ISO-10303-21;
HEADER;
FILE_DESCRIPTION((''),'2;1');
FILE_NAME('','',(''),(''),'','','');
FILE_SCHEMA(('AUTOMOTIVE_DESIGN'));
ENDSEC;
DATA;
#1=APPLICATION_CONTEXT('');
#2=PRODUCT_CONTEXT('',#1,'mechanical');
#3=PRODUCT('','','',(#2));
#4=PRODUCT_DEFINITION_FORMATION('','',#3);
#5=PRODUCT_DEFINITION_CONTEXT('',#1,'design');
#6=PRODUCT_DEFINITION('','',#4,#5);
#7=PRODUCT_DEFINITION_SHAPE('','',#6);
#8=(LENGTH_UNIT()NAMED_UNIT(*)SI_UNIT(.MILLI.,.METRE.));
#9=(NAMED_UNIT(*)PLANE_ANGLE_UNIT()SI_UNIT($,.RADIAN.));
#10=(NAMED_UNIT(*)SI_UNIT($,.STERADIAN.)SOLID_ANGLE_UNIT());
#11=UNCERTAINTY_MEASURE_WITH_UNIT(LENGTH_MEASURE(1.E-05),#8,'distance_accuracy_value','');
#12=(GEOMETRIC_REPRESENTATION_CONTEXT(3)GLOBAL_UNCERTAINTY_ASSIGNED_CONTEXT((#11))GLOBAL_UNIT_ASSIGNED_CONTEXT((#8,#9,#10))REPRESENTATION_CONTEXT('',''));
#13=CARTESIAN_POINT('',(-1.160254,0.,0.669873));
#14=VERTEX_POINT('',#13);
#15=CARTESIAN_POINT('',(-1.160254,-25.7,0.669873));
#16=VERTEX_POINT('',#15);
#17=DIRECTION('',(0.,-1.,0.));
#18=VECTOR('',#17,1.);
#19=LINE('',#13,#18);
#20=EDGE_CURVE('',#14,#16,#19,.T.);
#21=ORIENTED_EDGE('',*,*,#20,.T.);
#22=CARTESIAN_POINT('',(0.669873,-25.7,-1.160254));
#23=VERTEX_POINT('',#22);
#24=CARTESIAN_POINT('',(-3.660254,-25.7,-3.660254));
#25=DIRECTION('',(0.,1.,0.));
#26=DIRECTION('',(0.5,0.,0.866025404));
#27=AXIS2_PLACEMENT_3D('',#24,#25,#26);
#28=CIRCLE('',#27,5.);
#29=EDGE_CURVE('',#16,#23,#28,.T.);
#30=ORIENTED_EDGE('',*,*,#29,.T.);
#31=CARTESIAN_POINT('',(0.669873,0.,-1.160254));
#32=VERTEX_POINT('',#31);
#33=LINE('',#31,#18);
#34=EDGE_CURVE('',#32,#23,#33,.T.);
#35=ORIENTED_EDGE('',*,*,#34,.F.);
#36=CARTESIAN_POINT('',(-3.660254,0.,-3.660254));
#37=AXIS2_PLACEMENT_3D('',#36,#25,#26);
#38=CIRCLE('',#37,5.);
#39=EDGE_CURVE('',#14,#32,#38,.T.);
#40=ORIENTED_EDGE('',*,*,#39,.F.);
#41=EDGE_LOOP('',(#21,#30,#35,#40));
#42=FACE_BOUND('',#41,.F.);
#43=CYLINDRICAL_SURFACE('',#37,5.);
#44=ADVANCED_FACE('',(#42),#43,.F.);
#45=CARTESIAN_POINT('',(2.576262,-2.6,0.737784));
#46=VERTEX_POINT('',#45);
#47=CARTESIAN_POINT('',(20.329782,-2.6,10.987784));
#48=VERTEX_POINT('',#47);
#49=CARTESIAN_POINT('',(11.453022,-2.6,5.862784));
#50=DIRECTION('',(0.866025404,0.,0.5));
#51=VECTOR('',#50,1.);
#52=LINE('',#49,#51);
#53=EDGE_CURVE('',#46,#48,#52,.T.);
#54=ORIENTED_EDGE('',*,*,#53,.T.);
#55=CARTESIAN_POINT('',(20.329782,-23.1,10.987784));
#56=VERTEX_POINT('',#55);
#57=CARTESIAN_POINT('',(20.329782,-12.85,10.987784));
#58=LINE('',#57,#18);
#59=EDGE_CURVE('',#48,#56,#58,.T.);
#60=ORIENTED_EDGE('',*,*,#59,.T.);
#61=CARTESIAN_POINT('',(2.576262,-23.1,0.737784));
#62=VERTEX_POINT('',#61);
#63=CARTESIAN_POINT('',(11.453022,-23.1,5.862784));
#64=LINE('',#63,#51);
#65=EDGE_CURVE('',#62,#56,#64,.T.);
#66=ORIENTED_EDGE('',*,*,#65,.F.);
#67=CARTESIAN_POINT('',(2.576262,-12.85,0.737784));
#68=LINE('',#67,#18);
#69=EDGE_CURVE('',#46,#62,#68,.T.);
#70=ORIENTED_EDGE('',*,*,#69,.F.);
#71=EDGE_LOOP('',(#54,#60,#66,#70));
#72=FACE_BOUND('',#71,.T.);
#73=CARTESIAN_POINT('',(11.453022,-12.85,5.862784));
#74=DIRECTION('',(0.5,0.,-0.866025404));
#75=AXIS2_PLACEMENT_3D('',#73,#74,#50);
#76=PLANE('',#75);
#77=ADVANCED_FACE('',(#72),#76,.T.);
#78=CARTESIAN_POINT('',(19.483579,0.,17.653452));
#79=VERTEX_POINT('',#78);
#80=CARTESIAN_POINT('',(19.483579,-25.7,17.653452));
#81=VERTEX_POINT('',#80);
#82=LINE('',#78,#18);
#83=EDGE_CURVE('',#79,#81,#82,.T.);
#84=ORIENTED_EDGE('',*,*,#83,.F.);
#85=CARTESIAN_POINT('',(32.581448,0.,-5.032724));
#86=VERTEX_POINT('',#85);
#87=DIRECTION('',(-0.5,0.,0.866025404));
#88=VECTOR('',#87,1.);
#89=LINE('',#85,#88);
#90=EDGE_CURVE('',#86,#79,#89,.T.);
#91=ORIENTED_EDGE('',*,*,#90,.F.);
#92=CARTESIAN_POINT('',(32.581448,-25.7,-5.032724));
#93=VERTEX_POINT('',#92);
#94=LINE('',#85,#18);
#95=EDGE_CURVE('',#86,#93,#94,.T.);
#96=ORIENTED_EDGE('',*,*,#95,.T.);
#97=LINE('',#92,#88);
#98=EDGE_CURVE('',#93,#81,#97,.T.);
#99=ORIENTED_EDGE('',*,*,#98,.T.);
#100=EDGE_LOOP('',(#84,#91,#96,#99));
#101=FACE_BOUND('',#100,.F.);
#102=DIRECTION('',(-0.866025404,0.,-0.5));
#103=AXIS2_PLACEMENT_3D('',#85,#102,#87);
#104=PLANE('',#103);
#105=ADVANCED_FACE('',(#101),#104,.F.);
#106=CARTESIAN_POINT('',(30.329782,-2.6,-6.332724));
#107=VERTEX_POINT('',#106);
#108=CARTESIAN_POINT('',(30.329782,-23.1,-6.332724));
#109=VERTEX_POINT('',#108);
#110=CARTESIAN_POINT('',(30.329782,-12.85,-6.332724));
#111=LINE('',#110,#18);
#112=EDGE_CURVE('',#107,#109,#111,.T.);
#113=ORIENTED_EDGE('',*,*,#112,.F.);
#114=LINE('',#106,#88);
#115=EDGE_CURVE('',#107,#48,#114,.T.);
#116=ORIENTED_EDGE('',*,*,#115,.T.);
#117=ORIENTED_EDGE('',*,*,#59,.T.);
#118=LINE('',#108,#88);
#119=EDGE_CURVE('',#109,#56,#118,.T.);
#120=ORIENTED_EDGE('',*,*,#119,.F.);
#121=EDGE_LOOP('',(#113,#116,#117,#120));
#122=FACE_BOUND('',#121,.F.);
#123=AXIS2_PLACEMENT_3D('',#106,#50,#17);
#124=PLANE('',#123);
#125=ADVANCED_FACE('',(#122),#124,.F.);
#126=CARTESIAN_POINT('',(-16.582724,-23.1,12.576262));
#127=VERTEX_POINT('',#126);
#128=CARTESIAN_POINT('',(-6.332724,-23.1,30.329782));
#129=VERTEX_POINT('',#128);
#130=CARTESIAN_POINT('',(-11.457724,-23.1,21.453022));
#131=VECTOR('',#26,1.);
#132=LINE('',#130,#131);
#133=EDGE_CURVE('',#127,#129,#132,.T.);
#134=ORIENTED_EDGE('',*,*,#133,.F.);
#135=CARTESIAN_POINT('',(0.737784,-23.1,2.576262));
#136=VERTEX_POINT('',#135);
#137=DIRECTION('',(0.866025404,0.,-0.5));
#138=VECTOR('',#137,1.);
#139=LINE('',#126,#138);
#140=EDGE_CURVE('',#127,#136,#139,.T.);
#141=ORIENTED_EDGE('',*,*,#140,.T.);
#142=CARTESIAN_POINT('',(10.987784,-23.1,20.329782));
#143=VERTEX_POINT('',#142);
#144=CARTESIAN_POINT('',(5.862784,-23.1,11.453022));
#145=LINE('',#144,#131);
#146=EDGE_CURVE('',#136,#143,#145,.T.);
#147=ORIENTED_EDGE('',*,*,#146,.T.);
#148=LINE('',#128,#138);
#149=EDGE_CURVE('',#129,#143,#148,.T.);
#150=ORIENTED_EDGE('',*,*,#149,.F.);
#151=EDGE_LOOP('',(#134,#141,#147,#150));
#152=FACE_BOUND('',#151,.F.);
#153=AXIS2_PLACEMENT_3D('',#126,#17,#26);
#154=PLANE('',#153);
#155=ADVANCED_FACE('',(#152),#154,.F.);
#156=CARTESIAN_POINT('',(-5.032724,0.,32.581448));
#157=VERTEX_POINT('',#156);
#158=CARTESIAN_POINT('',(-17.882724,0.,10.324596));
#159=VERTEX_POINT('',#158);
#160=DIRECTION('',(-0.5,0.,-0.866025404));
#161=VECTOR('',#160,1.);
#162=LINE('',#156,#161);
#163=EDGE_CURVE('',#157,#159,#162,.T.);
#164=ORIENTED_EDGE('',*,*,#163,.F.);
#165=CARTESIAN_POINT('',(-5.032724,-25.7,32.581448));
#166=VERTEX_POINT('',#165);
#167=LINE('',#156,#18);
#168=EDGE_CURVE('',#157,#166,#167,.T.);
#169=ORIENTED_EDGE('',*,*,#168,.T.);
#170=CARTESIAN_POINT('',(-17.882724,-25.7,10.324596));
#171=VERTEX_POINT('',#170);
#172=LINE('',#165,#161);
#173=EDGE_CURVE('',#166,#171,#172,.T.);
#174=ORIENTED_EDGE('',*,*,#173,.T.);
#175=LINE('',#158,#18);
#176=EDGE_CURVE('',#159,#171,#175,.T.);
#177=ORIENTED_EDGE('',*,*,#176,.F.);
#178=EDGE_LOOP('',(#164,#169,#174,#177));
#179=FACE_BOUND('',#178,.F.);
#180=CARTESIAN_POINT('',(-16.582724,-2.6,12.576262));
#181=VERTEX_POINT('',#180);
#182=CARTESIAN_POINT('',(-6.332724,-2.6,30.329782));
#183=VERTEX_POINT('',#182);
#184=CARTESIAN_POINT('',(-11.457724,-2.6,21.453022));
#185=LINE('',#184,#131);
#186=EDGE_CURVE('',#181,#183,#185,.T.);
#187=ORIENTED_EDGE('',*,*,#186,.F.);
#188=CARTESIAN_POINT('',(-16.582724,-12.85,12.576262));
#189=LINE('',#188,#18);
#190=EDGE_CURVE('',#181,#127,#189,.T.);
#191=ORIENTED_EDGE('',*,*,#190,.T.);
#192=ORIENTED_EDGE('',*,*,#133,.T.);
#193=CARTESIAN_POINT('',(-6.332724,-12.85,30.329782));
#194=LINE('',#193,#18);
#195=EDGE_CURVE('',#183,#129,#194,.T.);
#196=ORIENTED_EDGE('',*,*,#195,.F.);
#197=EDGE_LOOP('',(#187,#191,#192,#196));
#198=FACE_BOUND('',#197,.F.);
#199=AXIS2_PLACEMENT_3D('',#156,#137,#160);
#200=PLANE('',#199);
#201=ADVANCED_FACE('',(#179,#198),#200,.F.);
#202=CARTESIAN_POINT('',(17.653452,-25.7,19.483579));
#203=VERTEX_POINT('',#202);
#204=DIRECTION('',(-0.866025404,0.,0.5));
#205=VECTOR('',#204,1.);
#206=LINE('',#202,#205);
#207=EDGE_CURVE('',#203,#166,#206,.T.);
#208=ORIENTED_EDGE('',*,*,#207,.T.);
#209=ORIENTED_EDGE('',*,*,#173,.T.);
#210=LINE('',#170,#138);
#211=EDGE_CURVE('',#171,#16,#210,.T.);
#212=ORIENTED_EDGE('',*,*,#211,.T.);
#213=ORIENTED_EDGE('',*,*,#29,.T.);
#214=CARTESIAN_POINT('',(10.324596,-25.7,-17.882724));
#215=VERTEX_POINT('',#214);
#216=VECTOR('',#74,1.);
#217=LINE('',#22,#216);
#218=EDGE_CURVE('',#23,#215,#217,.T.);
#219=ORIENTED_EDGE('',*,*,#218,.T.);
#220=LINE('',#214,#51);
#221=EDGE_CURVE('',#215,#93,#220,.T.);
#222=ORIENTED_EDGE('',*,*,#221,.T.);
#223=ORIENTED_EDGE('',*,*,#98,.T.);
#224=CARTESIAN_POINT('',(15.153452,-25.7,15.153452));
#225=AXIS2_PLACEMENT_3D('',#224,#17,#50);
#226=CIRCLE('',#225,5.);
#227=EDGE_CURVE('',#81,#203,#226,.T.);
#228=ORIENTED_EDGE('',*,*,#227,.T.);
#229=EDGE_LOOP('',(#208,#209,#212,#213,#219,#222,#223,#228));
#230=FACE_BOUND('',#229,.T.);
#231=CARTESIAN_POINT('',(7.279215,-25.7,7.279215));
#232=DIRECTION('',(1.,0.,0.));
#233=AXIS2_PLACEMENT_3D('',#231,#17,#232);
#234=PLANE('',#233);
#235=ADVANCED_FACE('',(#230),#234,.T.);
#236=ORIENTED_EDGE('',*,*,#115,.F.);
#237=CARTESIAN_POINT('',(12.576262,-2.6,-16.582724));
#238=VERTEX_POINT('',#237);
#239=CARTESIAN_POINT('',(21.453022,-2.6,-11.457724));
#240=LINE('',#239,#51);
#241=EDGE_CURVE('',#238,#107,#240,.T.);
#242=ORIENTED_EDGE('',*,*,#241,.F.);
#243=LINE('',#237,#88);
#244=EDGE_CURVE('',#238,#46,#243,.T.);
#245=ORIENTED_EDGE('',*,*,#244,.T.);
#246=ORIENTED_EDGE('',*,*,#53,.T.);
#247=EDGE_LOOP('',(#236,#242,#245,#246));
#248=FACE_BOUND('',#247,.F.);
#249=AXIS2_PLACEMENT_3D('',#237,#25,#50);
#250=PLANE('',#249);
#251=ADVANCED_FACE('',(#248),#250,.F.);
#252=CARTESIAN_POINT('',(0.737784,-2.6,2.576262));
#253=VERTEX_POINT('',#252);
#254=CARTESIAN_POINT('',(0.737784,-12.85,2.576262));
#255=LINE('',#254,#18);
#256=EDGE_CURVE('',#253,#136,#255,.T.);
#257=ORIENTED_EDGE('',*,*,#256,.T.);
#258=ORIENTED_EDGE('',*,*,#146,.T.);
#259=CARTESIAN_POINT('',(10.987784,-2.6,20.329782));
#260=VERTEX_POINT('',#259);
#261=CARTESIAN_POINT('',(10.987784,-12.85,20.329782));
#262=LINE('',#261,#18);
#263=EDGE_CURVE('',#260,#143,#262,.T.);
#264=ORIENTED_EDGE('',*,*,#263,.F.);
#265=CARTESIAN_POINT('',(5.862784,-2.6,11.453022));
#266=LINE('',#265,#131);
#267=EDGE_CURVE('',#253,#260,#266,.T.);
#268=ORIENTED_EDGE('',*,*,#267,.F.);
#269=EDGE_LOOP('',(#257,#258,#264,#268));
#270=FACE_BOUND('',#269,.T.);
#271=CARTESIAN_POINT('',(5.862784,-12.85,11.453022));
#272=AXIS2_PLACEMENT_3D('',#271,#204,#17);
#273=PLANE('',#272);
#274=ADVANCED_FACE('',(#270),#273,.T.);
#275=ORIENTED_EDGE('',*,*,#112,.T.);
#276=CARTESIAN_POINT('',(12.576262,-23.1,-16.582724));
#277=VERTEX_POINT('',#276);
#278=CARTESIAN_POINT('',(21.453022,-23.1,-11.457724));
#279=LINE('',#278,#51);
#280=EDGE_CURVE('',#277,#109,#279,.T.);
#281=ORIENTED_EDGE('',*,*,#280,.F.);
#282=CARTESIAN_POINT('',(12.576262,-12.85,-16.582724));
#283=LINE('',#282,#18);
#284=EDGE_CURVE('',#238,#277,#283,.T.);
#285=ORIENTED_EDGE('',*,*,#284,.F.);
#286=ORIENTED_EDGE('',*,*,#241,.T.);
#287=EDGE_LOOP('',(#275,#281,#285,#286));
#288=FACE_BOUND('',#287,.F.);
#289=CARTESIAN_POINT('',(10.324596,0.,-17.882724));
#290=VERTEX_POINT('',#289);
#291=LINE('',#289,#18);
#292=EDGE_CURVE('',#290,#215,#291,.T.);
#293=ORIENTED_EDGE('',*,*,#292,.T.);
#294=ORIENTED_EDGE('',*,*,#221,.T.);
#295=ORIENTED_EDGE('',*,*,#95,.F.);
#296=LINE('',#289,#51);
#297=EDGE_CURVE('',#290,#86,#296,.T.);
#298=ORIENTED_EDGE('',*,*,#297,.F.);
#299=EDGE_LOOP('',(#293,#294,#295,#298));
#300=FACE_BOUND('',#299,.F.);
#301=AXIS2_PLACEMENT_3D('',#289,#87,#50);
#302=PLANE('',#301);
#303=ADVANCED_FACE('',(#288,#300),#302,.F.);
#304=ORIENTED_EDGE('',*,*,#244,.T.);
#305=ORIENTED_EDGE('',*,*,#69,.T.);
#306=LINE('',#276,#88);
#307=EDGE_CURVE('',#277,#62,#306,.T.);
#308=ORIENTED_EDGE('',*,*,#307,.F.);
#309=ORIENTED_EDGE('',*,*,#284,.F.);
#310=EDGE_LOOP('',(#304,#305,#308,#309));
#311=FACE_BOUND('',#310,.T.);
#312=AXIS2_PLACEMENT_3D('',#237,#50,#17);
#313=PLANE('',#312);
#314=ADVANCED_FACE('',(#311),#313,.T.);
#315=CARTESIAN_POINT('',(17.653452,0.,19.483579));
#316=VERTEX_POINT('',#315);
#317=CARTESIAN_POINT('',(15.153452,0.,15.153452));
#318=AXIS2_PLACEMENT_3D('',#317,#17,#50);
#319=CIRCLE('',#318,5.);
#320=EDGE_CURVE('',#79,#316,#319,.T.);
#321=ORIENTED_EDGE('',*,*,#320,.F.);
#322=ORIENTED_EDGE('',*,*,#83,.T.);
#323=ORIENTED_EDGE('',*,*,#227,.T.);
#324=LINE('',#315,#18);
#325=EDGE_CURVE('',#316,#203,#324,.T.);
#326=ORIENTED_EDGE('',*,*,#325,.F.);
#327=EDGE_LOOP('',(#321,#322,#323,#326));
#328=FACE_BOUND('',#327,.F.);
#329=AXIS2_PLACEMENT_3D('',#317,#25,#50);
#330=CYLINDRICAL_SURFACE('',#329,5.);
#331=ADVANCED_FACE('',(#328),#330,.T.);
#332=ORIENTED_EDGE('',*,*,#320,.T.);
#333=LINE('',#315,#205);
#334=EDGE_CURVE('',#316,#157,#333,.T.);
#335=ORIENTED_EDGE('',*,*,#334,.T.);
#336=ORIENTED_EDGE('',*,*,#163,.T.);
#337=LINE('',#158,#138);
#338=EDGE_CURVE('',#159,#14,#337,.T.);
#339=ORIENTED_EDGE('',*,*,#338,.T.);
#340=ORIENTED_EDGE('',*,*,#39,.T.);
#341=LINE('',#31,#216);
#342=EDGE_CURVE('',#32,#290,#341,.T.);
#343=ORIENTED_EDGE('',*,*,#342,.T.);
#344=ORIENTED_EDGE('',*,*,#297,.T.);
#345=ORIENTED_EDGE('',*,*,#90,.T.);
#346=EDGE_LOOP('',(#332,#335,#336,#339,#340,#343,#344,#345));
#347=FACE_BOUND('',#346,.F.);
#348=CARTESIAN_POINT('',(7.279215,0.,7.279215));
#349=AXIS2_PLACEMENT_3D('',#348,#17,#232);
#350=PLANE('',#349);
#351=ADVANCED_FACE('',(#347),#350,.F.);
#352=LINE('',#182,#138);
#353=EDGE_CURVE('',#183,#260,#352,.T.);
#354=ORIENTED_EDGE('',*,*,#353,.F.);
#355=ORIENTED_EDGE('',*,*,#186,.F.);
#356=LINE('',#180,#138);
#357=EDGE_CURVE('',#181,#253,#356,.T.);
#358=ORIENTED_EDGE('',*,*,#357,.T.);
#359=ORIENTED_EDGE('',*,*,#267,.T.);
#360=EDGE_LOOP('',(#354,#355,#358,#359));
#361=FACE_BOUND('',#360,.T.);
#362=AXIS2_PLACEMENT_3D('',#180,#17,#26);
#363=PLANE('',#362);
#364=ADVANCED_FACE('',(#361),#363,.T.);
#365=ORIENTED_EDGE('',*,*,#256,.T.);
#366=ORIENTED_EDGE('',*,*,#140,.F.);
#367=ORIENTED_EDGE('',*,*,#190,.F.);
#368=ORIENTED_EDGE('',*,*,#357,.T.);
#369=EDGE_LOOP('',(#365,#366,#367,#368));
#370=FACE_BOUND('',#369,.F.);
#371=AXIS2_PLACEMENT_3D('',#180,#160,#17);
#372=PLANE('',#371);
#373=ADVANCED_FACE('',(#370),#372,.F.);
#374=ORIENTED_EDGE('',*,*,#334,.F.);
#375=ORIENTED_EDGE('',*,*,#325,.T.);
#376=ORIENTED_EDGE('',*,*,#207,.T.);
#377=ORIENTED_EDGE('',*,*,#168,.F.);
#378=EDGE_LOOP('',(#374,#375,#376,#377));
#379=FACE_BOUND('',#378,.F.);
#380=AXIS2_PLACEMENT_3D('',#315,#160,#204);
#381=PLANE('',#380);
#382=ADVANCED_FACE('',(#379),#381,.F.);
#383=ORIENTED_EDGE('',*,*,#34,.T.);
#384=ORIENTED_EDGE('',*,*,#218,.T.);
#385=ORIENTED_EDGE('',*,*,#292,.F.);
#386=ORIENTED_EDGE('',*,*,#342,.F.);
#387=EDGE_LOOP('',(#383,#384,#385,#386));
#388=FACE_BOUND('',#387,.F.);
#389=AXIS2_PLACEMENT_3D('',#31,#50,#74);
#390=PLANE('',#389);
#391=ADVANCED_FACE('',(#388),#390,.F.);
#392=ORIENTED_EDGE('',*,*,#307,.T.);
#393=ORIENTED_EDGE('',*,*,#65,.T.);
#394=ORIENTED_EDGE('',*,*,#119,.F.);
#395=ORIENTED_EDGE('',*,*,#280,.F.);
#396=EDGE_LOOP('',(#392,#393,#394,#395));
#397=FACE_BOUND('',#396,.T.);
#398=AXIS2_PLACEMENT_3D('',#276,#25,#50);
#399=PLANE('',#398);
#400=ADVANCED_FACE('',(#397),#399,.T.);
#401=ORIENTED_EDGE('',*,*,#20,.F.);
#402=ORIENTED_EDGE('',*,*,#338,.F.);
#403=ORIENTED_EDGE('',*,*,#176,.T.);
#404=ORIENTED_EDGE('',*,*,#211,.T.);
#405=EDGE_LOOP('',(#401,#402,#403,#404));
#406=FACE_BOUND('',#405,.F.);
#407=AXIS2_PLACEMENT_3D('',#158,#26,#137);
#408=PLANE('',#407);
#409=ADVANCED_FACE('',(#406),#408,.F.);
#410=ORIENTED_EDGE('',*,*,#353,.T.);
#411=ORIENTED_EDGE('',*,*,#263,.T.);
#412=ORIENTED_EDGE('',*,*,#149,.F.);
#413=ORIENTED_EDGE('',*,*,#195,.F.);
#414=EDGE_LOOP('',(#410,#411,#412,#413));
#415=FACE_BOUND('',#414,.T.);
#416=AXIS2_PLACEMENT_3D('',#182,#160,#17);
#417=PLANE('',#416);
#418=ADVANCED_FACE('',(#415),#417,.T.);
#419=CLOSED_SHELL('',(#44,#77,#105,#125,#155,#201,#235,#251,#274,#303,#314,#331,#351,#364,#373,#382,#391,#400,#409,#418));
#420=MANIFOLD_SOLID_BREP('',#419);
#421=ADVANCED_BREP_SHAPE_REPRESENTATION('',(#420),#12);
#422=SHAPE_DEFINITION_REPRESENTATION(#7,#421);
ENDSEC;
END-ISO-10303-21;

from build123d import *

# Parameters (mm, degrees)
F1_DEPTH = 25.7
F2_W     = 20.5
F2_H     = 20.5
F3_DEPTH = 20
F4_W     = 20.5
F4_H     = 20.5
F5_DEPTH = 20


with BuildPart() as f1:
    # F0 (on Front) → F1 (new body)
    with BuildSketch(Plane.XZ):
        with BuildLine():
            Line((0.6698729811, -1.1602540378), (10.3245955671, -17.8827240898))
            Line((10.3245955671, -17.8827240898), (32.5814484444, -5.0327240898))
            Line((32.5814484444, -5.0327240898), (19.4835787356, 17.6534517167))
            ThreePointArc((19.4835787356, 17.6534517167), (18.6889856226, 18.6889856226), (17.6534517167, 19.4835787356))
            Line((17.6534517167, 19.4835787356), (-5.0327240898, 32.5814484444))
            Line((-5.0327240898, 32.5814484444), (-17.8827240898, 10.3245955671))
            Line((-17.8827240898, 10.3245955671), (-1.1602540378, 0.6698729811))
            ThreePointArc((-1.1602540378, 0.6698729811), (-0.1247201319, -0.1247201319), (0.6698729811, -1.1602540378))
        make_face()
    extrude(amount=F1_DEPTH)

    # F2 (on face) → F3 (cut)
    with BuildSketch(Plane(origin=(-17.8827240898, 0, 10.3245955671), x_dir=(0, -1, 0), z_dir=(-0.8660254038, 0, 0.5))):
        with Locations((12.85, 12.85)):
            Rectangle(F2_W, F2_H)
    extrude(amount=-F3_DEPTH, mode=Mode.SUBTRACT)

    # F4 (on face) → F5 (cut)
    with BuildSketch(Plane(origin=(10.3245955671, 0, -17.8827240898), x_dir=(0.8660254038, 0, 0.5), z_dir=(0.5, 0, -0.8660254038))):
        with Locations((12.85, 12.85)):
            Rectangle(F4_W, F4_H)
    extrude(amount=-F5_DEPTH, mode=Mode.SUBTRACT)


solid = f1.part
